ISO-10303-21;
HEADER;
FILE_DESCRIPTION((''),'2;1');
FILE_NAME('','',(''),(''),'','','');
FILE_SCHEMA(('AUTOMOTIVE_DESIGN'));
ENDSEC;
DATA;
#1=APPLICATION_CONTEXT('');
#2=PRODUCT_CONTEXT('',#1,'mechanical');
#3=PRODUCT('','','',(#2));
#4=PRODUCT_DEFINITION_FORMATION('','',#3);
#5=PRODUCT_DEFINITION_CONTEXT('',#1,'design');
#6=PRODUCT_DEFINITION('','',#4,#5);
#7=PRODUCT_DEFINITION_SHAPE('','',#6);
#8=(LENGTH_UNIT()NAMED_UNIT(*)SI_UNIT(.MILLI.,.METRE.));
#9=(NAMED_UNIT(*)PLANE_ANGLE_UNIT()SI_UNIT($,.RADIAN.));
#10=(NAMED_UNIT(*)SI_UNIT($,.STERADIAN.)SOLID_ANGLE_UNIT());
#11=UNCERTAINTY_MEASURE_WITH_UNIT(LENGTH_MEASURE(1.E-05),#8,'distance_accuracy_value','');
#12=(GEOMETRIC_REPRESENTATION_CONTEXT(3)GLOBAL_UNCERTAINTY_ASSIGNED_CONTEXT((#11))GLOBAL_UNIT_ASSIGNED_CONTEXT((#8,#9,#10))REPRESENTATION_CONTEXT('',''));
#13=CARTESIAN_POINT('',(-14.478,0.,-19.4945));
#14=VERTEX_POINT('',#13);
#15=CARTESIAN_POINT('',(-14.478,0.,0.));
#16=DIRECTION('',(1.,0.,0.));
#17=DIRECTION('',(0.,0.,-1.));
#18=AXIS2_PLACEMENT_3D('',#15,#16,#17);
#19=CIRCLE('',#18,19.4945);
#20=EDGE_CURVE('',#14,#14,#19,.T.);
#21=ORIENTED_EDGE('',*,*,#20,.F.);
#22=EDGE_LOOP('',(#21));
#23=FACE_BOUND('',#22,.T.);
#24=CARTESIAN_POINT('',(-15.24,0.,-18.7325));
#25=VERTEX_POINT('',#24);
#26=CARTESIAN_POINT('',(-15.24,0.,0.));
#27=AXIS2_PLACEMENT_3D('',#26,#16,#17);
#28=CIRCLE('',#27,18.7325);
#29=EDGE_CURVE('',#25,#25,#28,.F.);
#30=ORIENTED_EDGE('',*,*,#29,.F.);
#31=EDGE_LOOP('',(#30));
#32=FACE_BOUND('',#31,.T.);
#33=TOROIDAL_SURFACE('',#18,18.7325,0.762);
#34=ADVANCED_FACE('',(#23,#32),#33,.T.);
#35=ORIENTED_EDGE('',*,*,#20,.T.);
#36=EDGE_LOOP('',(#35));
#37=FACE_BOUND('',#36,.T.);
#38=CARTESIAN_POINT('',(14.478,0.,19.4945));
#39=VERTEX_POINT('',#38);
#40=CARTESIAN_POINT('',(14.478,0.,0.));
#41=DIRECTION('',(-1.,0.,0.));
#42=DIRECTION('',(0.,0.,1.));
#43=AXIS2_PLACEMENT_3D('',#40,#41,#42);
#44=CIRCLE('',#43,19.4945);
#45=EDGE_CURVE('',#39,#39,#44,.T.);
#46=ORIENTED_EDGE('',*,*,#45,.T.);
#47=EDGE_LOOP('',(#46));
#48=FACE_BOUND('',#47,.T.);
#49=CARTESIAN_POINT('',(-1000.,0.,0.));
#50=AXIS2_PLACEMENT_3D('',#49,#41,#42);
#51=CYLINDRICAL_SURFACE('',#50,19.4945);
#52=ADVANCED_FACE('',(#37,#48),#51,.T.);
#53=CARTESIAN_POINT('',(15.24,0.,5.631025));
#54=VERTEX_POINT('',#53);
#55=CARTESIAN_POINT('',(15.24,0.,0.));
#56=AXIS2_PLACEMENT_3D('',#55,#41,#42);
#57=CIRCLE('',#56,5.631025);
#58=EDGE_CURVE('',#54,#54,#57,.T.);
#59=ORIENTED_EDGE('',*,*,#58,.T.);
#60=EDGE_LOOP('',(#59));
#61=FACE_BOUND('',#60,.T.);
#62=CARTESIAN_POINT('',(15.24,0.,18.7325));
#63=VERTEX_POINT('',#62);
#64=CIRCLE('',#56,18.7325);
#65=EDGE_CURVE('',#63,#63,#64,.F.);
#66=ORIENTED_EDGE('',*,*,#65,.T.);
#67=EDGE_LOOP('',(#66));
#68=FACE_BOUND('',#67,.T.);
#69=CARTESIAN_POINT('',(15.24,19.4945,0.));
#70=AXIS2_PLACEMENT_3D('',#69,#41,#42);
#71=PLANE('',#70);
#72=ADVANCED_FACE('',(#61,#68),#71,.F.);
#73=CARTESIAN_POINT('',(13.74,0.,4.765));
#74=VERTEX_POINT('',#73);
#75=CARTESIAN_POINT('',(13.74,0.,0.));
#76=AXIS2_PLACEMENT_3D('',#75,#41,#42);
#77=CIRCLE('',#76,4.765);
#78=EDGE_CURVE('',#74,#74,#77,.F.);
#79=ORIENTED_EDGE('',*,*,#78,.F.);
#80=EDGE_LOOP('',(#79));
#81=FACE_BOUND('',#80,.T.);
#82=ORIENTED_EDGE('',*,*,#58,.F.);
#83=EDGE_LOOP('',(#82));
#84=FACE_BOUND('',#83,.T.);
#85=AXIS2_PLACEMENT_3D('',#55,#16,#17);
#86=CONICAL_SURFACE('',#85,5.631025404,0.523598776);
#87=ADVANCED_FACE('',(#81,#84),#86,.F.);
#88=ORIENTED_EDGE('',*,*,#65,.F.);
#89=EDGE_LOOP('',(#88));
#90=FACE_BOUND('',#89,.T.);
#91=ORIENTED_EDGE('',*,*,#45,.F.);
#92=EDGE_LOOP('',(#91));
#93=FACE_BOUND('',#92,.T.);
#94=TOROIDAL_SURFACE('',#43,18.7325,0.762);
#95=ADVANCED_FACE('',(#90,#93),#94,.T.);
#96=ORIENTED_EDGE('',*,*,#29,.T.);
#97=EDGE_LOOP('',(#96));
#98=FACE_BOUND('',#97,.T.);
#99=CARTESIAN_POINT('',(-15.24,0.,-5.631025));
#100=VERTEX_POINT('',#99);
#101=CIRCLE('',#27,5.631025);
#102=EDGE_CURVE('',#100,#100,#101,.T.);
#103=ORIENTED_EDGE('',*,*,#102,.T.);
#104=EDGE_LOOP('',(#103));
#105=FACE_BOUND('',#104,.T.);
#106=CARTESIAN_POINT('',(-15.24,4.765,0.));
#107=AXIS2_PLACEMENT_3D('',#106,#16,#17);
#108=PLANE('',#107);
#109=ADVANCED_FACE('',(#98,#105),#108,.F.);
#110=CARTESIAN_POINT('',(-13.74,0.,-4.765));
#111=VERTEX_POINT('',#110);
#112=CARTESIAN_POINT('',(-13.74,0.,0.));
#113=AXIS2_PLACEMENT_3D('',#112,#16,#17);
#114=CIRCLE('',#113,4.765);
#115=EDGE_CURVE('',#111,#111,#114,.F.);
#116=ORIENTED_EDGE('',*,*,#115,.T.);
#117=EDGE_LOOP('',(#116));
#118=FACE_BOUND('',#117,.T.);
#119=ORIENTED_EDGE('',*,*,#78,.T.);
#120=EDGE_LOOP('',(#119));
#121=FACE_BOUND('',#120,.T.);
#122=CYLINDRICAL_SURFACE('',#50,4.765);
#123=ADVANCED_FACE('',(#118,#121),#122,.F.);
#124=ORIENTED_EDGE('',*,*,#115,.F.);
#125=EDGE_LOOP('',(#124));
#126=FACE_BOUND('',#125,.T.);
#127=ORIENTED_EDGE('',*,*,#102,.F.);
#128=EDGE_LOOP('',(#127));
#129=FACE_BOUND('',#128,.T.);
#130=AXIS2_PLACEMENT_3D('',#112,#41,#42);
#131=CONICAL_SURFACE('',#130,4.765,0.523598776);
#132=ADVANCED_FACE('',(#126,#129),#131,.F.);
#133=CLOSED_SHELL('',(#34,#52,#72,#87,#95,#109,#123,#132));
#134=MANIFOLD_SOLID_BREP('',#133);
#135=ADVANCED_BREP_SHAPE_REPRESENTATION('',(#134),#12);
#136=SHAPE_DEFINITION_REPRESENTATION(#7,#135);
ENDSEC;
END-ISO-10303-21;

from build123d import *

# Parameters (mm, degrees)
SKETCH1_W      = 30.48
SKETCH1_H      = 14.7295
CHAMFER1_SIZE  = 1.5
CHAMFER1_SIZE2 = 0.866025404
FILLET1_R      = 0.762
CHAMFER2_SIZE  = 1.5
CHAMFER2_SIZE2 = 0.866025404


with BuildPart() as part:
    # Sketch1 → Revolve1 (revolve)
    with BuildSketch(Plane.XY, mode=Mode.PRIVATE) as revolve1_sk:
        with Locations((0, 12.12975)):
            Rectangle(SKETCH1_W, SKETCH1_H)
    revolve(revolve1_sk.sketch.rotate(Axis((-1000, 0, 0), (1, 0, 0)), 90), axis=Axis((-1000, 0, 0), (1, 0, 0)))

    # Chamfer1
    chamfer1_edges = [part.edges().sort_by_distance(p)[0] for p in [
        (-15.24, 0, -4.765),
    ]]
    chamfer1_side = [part.faces().sort_by_distance(p)[0] for p in [
        (0, 0, -4.765),
    ]]
    chamfer(chamfer1_edges, length=CHAMFER1_SIZE, length2=CHAMFER1_SIZE2, reference=chamfer1_side[0])

    # Fillet1
    fillet1_edges = [part.edges().sort_by_distance(p)[0] for p in [
        (15.24, 0, -19.4945),
        (-15.24, 0, -19.4945),
    ]]
    fillet(fillet1_edges, radius=FILLET1_R)

    # Chamfer2
    chamfer2_edges = [part.edges().sort_by_distance(p)[0] for p in [
        (15.24, 0, -4.765),
    ]]
    chamfer2_side = [part.faces().sort_by_distance(p)[0] for p in [
        (0.75, 0, -4.765),
    ]]
    chamfer(chamfer2_edges, length=CHAMFER2_SIZE, length2=CHAMFER2_SIZE2, reference=chamfer2_side[0])


solid = part.part
